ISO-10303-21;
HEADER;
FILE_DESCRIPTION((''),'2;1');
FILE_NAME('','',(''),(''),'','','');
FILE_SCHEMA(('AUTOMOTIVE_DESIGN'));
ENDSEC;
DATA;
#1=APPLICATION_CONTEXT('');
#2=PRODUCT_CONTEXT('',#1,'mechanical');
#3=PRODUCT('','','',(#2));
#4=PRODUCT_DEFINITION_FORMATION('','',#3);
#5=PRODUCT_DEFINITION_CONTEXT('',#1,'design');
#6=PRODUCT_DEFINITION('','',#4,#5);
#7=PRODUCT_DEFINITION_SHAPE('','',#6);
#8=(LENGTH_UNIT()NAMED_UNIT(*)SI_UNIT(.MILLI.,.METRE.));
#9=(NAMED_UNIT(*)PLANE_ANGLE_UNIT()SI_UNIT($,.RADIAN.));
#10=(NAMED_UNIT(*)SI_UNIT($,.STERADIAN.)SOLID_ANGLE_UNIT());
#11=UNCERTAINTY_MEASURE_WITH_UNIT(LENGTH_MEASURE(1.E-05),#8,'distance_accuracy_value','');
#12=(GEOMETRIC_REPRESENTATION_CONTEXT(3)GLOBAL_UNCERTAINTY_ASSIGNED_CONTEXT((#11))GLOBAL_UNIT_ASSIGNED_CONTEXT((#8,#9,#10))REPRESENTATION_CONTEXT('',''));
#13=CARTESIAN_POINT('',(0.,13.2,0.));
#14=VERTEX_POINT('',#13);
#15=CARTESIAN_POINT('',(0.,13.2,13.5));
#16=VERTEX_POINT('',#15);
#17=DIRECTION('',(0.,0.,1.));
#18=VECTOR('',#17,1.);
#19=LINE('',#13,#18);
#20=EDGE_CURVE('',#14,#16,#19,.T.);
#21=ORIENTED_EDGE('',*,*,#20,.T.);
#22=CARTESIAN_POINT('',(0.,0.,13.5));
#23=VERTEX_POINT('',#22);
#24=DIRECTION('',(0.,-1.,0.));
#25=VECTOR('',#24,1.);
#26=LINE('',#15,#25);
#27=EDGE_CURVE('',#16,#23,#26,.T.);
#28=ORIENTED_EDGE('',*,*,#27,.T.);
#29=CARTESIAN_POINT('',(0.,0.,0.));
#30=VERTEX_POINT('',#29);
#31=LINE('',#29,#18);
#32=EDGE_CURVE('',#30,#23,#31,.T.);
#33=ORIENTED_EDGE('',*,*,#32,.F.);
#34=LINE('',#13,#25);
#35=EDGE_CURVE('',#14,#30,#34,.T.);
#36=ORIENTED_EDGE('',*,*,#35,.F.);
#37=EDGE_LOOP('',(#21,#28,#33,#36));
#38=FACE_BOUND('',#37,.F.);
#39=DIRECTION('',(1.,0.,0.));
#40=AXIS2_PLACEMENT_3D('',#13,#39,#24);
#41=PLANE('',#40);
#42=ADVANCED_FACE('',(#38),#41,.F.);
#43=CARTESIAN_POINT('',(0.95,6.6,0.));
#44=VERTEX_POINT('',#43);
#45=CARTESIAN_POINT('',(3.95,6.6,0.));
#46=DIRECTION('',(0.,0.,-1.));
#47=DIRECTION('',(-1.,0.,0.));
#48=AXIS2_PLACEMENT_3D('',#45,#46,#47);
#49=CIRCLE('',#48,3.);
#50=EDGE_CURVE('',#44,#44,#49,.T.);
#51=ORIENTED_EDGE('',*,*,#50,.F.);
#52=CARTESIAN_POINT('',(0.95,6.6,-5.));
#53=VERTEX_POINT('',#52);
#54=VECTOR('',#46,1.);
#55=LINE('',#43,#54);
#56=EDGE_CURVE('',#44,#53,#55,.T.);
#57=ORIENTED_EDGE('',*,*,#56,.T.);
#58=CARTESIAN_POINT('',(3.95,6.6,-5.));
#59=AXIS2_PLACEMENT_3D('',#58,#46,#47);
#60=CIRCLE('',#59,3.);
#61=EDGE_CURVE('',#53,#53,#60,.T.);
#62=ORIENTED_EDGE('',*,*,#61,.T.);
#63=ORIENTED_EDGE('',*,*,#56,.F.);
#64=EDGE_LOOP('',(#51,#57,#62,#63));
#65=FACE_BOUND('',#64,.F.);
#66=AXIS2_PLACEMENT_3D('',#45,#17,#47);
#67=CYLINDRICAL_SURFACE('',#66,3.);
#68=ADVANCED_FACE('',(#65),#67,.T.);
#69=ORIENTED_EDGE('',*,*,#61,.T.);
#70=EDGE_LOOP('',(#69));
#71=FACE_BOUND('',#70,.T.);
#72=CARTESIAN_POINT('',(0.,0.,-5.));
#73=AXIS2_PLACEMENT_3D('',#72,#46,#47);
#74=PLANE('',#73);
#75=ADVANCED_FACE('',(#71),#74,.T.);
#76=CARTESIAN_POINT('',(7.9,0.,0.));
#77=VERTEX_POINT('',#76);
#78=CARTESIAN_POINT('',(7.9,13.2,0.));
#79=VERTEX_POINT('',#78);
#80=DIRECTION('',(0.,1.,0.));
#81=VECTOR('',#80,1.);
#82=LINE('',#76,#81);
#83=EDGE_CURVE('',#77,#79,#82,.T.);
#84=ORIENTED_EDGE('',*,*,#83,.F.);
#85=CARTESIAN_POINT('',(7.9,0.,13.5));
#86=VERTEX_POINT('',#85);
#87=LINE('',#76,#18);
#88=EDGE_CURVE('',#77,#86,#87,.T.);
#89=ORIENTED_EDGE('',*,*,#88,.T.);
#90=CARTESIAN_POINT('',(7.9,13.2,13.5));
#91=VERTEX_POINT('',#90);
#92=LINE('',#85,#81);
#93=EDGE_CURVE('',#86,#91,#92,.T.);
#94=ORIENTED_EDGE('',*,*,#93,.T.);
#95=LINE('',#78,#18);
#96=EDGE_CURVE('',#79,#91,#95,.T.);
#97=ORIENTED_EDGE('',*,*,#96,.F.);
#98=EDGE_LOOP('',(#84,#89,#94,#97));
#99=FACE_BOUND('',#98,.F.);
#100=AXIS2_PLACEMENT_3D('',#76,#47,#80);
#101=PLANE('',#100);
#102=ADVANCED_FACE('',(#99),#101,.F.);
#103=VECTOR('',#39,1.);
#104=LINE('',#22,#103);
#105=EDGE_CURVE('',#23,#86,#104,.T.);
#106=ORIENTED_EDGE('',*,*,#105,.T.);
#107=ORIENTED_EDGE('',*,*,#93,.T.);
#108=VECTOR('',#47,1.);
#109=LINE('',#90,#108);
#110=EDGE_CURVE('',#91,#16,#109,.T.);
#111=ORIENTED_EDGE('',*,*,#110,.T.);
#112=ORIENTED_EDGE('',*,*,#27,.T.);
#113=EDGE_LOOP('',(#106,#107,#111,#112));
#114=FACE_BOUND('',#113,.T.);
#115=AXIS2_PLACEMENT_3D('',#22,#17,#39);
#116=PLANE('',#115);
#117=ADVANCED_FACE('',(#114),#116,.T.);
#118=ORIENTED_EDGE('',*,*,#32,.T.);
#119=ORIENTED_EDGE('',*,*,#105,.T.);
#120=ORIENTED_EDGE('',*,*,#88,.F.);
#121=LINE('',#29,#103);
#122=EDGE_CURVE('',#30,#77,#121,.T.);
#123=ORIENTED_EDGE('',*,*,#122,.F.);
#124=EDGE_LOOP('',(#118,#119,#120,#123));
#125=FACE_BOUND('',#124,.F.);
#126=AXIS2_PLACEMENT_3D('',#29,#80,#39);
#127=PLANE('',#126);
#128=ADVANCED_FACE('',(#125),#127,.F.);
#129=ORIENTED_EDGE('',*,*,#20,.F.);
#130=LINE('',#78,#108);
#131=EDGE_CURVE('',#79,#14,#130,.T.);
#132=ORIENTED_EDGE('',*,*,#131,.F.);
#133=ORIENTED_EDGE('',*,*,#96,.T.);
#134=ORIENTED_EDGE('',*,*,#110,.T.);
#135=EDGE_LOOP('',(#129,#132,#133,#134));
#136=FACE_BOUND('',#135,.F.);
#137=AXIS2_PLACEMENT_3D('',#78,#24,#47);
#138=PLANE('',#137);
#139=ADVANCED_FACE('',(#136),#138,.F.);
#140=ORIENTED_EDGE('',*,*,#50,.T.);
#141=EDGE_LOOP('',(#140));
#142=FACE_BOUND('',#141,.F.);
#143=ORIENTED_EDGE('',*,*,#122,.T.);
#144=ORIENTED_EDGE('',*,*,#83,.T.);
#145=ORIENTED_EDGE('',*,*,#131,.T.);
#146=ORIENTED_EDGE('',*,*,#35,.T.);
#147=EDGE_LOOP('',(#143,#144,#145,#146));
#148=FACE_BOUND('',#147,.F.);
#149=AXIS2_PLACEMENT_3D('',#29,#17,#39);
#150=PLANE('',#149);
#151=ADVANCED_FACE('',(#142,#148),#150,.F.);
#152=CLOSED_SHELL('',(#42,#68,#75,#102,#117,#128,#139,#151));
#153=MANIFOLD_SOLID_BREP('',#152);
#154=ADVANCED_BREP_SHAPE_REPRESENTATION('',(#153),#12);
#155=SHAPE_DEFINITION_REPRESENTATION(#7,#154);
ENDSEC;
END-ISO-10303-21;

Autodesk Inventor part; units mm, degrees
ref_plane "YZ Plane" through (0, 0, 0) normal (1, 0, 0) x (0, 1, 0)
ref_plane "XZ Plane" through (0, 0, 0) normal (0, 1, 0) x (-1, 0, 0)
ref_plane "XY Plane" through (0, 0, 0) normal (0, 0, 1) x (1, 0, 0)
sketch "Sketch1" plane through (0, 0, 0) normal (0, 0, 1) x (1, 0, 0)
  line L0 (0, 0) -> (7.9, 0)
  line L1 (7.9, 0) -> (7.9, 13.2)
  line L2 (7.9, 13.2) -> (0, 13.2)
  line L3 (0, 13.2) -> (0, 0)
  dimension "d0" = 7.9
  dimension "d1" = 13.2
extrude "Extrusion1" add sketch "Sketch1" along normal blind 13.5
sketch "Sketch2" plane through (0, 0, 0) normal (0, 0, -1) x (-1, 0, 0)
  line L0 (-7.9, 13.2) -> (0, 13.2) projected
  line L1 (0, 13.2) -> (0, 0) projected
  circle A0 centre (-3.95, 6.6) radius 3
  point P0 (-3.95, 13.2)
  point P1 (0, 6.6)
  dimension "d4" = 6
extrude "Extrusion2" add sketch "Sketch2" along normal blind 5
properties part number "Toggle Switch"
